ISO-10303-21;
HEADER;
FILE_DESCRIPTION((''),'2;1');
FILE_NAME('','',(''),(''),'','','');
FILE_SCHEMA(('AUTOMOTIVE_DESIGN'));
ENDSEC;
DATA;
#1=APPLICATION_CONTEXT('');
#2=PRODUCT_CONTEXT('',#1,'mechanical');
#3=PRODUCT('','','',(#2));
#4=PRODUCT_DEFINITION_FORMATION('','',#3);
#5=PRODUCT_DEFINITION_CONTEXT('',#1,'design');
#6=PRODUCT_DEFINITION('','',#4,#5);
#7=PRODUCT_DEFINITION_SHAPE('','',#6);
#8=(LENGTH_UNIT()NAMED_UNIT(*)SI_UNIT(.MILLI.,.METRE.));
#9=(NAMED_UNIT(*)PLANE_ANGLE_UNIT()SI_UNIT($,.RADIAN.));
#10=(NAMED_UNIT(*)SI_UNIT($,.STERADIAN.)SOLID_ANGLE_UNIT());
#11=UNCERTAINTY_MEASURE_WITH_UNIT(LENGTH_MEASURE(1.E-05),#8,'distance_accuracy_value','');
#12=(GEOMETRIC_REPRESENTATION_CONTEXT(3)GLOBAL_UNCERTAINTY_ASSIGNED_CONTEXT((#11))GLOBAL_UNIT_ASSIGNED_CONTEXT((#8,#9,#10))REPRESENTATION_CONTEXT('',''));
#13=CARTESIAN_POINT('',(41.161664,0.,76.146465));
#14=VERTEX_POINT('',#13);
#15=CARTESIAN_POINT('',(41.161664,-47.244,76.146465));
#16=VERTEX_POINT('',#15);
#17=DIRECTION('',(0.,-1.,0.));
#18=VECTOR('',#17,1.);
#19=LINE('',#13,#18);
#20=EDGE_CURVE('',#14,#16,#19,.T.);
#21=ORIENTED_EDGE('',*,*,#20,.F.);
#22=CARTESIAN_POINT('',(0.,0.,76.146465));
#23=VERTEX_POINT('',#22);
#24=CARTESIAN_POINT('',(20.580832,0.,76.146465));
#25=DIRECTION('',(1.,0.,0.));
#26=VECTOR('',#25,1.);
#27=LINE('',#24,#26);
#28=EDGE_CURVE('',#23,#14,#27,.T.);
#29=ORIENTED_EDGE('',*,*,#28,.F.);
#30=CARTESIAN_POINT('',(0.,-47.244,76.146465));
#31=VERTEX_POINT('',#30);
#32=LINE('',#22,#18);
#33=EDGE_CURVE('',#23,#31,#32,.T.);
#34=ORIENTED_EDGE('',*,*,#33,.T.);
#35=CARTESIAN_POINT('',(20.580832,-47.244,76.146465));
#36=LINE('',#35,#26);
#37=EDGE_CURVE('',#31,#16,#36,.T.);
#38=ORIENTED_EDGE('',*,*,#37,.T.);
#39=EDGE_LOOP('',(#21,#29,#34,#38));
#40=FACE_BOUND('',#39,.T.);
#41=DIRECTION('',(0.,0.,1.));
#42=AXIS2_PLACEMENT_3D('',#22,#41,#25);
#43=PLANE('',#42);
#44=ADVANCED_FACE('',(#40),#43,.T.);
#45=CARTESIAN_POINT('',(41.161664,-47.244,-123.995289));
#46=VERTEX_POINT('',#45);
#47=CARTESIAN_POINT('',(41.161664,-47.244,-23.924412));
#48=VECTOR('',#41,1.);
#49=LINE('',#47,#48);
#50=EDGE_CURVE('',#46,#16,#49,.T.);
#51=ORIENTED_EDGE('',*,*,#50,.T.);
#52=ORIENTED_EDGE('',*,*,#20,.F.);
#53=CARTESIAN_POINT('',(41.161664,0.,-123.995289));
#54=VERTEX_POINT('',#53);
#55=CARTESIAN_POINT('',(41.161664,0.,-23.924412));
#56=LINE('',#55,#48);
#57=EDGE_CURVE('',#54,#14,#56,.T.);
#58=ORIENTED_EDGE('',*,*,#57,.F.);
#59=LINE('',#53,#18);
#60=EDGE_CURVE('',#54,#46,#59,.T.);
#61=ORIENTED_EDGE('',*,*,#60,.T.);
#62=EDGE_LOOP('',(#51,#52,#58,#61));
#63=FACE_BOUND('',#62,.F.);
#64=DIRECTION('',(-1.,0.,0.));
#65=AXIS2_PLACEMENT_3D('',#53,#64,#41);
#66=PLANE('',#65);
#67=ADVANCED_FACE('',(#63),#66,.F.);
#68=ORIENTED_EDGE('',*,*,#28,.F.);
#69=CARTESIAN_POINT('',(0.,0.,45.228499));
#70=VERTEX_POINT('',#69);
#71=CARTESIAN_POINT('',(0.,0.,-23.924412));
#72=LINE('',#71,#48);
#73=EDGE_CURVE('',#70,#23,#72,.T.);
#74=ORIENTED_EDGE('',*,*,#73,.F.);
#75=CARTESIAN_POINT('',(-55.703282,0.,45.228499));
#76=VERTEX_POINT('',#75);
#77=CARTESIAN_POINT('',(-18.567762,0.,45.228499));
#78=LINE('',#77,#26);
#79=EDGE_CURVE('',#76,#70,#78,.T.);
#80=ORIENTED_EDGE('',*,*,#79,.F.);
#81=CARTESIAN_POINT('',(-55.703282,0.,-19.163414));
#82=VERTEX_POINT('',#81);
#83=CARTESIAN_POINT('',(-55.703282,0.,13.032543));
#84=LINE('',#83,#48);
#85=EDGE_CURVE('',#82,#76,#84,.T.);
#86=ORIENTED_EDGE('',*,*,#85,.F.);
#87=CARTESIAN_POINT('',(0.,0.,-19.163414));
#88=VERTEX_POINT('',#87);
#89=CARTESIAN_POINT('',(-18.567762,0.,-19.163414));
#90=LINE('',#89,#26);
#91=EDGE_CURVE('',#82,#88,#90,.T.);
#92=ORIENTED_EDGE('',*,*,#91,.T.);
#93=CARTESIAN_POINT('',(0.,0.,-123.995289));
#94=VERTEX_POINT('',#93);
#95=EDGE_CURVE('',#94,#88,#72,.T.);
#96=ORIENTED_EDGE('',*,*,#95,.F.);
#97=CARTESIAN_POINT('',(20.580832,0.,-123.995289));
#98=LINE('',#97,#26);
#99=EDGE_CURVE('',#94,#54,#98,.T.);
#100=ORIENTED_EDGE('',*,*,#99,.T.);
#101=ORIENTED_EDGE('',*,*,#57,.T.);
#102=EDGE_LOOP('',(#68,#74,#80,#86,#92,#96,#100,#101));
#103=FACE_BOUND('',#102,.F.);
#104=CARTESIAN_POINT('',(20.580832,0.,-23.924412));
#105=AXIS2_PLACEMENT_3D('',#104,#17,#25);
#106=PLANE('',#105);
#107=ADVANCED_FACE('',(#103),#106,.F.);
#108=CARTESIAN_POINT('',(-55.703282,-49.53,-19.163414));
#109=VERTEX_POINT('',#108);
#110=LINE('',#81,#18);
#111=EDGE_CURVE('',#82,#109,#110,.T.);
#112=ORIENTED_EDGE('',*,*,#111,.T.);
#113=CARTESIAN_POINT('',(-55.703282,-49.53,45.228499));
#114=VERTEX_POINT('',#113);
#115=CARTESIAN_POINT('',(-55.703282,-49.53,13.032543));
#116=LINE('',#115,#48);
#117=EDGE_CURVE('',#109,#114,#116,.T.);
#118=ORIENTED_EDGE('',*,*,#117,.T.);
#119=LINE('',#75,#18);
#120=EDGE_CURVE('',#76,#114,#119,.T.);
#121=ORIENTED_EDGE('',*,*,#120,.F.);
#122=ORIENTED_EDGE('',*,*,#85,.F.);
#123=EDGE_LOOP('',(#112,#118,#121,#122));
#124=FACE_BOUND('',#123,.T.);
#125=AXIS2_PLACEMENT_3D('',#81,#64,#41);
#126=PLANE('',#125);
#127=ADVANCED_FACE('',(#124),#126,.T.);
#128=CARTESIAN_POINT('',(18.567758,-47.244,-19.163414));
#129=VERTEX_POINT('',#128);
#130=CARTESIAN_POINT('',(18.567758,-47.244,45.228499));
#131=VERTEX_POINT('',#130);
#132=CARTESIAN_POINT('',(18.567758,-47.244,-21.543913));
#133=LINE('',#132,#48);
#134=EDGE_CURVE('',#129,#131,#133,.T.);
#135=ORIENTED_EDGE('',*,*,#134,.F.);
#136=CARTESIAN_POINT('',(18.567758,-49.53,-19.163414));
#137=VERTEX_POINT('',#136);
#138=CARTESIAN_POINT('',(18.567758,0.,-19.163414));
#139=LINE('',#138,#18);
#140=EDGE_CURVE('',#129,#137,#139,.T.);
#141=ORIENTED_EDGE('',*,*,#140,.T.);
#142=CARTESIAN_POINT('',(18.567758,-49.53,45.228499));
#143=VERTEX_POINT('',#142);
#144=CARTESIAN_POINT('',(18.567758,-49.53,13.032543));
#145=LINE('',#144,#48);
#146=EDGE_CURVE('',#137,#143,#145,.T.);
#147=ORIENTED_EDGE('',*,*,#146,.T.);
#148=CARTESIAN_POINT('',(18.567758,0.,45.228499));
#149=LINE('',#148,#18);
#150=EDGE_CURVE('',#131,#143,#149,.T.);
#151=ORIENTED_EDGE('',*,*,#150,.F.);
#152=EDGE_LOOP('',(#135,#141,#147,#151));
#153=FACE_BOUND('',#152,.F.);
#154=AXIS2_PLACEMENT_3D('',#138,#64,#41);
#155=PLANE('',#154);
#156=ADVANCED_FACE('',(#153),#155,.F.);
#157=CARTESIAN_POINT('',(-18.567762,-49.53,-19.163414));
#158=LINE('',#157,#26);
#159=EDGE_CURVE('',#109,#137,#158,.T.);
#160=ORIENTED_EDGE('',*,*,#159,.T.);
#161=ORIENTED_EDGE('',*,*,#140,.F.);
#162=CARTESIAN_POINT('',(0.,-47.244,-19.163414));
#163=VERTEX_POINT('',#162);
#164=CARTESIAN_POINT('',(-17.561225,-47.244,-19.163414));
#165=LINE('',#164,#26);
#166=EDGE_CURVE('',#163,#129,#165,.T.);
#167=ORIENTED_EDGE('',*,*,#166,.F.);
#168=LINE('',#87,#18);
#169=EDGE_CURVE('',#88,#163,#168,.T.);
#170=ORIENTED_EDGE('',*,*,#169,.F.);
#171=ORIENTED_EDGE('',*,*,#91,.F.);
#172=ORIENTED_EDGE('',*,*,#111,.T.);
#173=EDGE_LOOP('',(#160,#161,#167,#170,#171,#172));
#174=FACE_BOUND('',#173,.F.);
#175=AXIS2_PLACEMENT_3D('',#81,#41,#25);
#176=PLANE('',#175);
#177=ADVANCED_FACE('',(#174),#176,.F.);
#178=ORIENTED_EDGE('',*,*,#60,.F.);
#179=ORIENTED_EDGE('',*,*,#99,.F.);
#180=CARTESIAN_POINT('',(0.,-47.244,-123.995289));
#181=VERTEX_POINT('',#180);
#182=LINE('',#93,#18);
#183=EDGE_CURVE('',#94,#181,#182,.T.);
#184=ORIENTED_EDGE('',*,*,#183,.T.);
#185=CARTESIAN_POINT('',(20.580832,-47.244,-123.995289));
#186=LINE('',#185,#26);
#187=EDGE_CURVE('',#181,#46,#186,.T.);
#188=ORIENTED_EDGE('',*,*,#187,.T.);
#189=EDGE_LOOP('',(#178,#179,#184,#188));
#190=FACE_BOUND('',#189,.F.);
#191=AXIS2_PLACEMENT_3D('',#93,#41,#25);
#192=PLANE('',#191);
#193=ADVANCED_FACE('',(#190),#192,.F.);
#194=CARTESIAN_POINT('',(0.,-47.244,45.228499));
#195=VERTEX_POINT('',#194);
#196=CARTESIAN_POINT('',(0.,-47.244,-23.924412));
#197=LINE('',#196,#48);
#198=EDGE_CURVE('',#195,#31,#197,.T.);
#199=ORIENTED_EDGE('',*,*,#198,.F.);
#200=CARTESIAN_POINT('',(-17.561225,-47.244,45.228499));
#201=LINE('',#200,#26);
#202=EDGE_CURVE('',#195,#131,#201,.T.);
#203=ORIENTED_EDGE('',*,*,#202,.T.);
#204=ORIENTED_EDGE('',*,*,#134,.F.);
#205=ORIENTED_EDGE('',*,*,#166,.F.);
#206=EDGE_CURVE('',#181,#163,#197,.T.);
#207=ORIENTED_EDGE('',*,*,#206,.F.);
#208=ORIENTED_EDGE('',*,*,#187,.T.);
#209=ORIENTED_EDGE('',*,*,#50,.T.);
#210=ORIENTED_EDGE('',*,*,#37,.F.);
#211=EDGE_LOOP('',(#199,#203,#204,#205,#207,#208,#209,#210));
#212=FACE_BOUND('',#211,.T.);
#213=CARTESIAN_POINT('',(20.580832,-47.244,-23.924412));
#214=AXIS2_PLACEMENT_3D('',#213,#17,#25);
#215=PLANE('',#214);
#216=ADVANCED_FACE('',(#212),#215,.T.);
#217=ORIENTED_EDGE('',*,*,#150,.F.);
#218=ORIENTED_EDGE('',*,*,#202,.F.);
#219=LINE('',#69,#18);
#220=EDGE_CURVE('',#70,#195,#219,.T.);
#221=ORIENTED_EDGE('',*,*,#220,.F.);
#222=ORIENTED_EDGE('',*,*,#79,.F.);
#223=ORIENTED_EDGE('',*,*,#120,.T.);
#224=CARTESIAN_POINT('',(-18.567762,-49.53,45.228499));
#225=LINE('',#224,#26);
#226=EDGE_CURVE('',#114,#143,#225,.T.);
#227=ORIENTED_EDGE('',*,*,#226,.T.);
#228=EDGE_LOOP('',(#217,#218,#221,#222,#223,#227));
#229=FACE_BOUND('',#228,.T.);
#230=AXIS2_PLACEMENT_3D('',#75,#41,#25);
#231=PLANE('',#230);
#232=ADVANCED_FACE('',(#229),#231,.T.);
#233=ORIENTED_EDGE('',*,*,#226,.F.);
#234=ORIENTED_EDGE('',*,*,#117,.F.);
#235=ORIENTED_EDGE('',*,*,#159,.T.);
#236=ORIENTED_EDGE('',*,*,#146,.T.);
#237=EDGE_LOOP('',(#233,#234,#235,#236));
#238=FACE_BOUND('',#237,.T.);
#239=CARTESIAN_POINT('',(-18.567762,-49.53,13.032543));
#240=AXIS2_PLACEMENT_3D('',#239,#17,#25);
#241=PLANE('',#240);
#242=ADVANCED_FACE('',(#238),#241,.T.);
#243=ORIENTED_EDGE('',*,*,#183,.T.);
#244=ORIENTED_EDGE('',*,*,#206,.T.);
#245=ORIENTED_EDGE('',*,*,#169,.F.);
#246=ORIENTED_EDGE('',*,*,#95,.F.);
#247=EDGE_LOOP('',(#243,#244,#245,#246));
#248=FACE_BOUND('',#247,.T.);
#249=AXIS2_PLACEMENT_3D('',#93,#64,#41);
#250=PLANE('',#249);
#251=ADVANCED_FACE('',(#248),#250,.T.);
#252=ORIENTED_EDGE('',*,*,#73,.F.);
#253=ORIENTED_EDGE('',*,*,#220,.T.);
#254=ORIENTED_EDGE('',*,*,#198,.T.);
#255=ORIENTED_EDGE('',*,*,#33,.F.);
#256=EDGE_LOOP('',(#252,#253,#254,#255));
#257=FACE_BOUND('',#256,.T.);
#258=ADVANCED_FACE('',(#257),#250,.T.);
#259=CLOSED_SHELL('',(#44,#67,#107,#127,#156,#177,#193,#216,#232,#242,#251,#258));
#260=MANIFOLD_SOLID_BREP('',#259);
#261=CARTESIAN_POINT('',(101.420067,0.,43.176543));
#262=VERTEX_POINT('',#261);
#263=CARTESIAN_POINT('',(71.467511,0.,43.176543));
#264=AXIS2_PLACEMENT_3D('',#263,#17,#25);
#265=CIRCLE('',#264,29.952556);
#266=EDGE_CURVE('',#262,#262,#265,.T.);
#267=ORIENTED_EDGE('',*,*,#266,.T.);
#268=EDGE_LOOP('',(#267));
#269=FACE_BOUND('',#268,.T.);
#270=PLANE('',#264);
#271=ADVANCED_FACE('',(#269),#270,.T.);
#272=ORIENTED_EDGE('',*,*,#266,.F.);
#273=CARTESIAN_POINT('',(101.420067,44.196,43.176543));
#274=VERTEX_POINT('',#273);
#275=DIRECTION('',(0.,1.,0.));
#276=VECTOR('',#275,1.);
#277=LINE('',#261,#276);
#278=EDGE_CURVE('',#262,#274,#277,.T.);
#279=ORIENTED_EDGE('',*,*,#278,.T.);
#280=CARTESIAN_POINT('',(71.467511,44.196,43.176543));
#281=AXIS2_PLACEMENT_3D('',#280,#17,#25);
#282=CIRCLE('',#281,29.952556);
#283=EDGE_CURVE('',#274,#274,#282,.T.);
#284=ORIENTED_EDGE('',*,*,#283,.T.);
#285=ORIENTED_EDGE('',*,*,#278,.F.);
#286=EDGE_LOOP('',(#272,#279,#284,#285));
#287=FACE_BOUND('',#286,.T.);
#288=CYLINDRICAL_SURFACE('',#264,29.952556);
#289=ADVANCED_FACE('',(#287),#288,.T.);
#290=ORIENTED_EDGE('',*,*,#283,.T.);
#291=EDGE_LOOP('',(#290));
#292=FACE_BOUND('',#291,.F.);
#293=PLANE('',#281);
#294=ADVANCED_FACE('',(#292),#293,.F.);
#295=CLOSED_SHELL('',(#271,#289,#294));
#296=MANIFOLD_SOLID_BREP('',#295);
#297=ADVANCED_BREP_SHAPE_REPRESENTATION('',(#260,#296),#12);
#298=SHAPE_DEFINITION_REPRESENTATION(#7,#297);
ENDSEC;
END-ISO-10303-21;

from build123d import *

# Parameters (mm, degrees)
F0_W     = 74.27104
F0_H     = 64.391913
F1_DEPTH = 49.53
F2_W     = 41.161664
F2_H     = 200.141754
F3_DEPTH = 47.244
F4_R     = 29.952556
F5_DEPTH = 44.196


with BuildPart() as f1:
    # F0 (on Front) → F1 (new body)
    with BuildSketch(Plane.XZ):
        with Locations((-18.567762, 13.032543)):
            Rectangle(F0_W, F0_H)
    extrude(amount=F1_DEPTH)

    # F2 (on Front) → F3 (join)
    with BuildSketch(Plane.XZ):
        with Locations((20.580832, -23.924412)):
            Rectangle(F2_W, F2_H)
    extrude(amount=F3_DEPTH)


with BuildPart() as f5:
    # F4 (on Front) → F5 (new body)
    with BuildSketch(Plane.XZ):
        with Locations((71.467511, 43.176543)):
            Circle(F4_R)
    extrude(amount=-F5_DEPTH)


solid = Compound([f1.part, f5.part])
